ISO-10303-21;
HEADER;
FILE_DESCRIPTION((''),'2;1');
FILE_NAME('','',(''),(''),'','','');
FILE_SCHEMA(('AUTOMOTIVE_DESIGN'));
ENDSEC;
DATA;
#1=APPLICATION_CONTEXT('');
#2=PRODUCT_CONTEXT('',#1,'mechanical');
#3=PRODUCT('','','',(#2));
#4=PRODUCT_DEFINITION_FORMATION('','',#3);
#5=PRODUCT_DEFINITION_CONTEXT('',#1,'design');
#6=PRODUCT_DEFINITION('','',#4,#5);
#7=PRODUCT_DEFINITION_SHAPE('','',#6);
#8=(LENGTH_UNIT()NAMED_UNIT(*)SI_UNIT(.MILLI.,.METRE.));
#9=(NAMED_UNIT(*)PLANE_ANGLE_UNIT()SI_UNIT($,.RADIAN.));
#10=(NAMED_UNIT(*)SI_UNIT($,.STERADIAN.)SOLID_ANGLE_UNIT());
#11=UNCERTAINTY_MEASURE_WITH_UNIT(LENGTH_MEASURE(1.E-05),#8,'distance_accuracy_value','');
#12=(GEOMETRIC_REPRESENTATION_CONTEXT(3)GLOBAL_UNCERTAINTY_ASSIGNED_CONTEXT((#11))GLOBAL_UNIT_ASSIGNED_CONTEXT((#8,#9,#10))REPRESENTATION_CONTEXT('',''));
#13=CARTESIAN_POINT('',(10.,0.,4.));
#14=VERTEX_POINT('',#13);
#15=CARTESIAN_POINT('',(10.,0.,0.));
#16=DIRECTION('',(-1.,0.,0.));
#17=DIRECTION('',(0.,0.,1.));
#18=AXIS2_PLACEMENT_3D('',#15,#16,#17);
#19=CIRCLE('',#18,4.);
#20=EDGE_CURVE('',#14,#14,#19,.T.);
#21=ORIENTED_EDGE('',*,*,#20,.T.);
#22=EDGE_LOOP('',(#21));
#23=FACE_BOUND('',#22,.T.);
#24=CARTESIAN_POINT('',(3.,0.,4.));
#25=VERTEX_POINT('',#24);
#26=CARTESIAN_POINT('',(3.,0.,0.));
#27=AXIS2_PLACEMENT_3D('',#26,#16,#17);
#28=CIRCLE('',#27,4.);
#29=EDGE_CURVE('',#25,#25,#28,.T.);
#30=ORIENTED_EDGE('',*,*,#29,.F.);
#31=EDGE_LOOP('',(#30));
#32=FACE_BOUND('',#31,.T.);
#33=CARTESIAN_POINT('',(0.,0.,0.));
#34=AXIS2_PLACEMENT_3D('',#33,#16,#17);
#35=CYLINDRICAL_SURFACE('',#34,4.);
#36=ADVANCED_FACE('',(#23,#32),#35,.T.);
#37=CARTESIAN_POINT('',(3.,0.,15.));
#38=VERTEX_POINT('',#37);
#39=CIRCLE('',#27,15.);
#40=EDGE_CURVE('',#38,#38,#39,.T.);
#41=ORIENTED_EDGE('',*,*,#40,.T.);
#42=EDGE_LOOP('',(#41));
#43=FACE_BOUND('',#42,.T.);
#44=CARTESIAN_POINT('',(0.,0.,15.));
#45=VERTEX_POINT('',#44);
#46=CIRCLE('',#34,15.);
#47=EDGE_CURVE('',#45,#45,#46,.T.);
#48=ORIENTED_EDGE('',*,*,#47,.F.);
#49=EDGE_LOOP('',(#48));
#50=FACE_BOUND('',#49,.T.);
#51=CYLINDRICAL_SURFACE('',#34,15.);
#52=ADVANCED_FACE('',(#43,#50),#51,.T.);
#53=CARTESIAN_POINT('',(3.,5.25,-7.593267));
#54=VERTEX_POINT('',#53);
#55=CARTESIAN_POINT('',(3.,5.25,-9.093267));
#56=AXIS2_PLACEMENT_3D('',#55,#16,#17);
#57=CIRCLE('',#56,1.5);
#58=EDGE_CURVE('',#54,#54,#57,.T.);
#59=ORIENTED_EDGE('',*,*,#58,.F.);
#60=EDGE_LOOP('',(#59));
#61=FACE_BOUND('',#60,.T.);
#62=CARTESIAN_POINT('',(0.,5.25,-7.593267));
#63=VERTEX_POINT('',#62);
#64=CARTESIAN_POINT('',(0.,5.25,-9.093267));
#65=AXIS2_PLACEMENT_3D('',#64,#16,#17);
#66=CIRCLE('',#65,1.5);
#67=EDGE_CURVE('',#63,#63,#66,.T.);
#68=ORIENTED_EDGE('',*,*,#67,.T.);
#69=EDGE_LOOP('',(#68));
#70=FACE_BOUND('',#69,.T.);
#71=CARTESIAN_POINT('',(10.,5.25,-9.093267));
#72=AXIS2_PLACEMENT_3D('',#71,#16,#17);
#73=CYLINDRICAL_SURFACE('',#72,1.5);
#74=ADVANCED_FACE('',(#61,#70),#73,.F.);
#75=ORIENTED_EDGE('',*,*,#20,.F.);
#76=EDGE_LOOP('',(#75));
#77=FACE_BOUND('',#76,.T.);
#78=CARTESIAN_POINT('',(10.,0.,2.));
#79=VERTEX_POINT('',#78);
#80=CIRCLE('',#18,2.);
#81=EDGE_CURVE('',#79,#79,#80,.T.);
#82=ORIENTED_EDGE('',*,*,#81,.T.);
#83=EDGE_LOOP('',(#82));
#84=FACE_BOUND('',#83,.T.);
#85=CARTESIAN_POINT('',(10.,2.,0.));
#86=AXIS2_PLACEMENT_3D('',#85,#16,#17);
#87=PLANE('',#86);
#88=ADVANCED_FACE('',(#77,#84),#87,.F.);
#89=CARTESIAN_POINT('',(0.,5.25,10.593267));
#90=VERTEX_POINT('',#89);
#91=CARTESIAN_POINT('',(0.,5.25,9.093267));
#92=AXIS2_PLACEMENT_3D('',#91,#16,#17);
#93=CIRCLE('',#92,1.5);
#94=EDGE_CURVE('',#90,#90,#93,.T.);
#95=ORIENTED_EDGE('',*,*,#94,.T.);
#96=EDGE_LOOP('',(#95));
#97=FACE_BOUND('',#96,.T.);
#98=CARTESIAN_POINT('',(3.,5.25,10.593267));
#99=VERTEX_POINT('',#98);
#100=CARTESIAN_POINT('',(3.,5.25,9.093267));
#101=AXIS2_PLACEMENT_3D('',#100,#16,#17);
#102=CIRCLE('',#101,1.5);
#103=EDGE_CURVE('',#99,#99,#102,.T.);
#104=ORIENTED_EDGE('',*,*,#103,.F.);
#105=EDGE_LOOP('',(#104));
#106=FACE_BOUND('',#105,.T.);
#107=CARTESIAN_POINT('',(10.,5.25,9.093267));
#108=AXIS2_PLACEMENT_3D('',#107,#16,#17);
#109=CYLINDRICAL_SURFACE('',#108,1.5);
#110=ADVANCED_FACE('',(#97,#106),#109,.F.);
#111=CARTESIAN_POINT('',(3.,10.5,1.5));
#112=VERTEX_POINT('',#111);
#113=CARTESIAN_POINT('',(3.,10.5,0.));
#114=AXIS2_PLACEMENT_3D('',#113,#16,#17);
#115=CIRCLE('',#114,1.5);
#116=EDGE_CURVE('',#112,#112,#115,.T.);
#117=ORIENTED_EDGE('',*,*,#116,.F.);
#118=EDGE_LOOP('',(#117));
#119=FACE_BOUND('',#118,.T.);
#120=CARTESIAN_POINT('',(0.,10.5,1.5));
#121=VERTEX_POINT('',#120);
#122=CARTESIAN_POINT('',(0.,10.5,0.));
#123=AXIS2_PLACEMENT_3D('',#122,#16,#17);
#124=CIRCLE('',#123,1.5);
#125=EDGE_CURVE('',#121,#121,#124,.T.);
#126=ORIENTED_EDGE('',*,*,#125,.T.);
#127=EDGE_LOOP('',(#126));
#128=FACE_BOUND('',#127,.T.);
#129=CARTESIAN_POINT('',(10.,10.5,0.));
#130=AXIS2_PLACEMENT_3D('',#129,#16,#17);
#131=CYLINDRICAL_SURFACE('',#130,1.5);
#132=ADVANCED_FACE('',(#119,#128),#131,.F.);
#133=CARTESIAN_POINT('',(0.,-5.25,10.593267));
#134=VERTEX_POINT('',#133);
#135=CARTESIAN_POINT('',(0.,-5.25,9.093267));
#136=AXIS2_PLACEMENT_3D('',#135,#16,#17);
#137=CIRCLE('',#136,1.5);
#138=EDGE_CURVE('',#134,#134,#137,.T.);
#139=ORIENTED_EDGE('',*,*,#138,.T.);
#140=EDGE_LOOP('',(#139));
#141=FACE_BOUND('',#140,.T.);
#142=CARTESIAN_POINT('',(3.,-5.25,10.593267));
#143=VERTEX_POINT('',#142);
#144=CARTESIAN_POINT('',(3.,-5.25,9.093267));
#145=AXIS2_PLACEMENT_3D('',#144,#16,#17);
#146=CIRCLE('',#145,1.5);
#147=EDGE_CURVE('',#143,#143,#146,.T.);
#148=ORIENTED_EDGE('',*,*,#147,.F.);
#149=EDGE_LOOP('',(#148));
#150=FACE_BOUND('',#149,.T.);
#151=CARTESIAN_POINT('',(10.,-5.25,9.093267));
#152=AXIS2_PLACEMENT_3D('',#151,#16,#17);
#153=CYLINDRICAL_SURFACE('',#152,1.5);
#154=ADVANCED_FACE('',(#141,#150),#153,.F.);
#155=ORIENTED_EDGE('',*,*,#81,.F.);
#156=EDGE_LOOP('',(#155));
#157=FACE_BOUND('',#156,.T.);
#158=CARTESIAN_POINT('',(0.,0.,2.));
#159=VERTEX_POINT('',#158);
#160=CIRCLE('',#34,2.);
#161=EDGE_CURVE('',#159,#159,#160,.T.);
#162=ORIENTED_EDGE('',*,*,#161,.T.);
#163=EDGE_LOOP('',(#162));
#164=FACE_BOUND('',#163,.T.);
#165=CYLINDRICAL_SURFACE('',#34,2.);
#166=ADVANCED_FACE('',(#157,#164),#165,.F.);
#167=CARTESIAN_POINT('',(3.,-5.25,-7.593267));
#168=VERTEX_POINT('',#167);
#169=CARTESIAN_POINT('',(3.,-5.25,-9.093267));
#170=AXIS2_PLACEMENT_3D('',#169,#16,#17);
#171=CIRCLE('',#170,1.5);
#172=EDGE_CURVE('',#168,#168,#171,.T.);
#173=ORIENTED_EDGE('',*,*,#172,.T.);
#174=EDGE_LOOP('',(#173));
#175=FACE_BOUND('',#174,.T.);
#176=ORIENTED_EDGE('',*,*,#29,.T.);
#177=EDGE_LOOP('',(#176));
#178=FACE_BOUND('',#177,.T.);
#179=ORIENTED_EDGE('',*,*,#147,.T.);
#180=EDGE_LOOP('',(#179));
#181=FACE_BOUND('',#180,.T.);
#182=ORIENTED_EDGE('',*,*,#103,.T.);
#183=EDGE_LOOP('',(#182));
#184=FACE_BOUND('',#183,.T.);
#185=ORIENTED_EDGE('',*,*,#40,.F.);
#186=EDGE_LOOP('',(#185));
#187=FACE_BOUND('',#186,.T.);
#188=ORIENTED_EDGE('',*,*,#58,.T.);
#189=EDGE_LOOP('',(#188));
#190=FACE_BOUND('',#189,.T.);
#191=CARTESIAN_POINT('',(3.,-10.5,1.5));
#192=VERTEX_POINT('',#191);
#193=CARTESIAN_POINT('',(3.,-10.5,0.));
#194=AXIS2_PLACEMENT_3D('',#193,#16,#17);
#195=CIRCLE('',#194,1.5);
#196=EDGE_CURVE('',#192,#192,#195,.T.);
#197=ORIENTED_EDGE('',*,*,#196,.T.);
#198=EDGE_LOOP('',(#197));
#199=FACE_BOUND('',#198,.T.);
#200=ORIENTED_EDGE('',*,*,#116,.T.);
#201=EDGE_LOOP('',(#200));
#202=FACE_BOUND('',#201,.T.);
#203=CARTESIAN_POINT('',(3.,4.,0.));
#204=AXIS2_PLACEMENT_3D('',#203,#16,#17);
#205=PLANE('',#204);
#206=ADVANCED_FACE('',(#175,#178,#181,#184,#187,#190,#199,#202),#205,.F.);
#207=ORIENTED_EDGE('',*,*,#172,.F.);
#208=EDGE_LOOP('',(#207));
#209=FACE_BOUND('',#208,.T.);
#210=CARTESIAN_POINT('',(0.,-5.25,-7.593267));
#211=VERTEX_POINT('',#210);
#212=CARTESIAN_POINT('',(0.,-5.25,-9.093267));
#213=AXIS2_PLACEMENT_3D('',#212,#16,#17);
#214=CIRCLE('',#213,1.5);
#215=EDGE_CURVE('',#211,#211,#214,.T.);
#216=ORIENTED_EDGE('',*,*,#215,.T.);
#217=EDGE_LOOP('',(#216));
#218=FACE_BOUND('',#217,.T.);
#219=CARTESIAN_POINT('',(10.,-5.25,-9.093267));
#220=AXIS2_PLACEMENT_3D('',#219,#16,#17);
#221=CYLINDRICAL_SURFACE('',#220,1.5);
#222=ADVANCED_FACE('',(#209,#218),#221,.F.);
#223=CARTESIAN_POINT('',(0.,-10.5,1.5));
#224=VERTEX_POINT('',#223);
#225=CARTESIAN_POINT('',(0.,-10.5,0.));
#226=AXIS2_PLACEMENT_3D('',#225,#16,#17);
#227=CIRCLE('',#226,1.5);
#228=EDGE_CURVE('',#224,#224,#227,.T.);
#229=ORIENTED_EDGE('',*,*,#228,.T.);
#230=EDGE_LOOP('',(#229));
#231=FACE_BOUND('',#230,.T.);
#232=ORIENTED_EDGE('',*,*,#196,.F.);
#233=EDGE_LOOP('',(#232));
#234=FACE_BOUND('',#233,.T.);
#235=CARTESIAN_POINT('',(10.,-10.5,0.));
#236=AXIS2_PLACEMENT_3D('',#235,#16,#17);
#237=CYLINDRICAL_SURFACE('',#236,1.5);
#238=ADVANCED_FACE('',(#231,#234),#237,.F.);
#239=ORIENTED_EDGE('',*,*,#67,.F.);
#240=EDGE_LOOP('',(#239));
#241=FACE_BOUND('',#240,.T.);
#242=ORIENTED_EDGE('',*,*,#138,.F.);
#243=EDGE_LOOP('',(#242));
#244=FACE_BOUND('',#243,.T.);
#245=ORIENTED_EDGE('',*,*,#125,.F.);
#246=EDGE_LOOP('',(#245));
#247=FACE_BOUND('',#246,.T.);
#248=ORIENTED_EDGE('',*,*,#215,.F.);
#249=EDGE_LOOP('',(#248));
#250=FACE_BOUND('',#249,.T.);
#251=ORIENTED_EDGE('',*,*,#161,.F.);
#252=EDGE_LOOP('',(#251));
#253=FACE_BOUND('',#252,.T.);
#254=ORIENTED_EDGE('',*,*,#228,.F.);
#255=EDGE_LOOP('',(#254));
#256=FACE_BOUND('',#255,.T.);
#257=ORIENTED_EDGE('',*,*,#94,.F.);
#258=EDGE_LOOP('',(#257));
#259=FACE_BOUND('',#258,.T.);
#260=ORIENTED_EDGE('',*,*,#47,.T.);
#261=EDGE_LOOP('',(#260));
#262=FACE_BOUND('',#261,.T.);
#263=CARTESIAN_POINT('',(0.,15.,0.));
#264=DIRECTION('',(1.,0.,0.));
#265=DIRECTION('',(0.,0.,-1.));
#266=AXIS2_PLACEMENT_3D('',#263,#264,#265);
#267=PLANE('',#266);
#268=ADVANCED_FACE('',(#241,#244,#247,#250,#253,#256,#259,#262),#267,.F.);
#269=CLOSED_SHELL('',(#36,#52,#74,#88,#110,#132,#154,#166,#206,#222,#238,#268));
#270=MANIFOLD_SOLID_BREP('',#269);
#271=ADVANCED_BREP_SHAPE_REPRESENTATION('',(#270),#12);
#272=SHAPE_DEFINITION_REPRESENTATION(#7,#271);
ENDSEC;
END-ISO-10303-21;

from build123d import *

# Parameters (mm, degrees)
SKETCH2_R          = 1.5
CUT_EXTRUDE5_DEPTH = 24.452078799


with BuildPart() as part:
    # Sketch1 → Revolve1 (revolve)
    with BuildSketch(Plane.XY, mode=Mode.PRIVATE) as revolve1_sk:
        Polygon((10, 4), (3, 4), (3, 15), (0, 15), (0, 2), (10, 2), align=None)
    revolve(revolve1_sk.sketch.rotate(Axis((0, 0, 0), (1, 0, 0)), 90), axis=Axis((0, 0, 0), (1, 0, 0)))

    # Sketch2 → Cut-Extrude5 (cut, through all)
    with BuildSketch(Plane.ZY):
        with Locations((0, 10.5)):
            Circle(SKETCH2_R)
        with Locations((9.09326674, 5.25)):
            Circle(SKETCH2_R)
        with Locations((9.09326674, -5.25)):
            Circle(SKETCH2_R)
        with Locations((0, -10.5)):
            Circle(SKETCH2_R)
        with Locations((-9.09326674, -5.25)):
            Circle(SKETCH2_R)
        with Locations((-9.09326674, 5.25)):
            Circle(SKETCH2_R)
    extrude(amount=-CUT_EXTRUDE5_DEPTH, mode=Mode.SUBTRACT)


solid = part.part
